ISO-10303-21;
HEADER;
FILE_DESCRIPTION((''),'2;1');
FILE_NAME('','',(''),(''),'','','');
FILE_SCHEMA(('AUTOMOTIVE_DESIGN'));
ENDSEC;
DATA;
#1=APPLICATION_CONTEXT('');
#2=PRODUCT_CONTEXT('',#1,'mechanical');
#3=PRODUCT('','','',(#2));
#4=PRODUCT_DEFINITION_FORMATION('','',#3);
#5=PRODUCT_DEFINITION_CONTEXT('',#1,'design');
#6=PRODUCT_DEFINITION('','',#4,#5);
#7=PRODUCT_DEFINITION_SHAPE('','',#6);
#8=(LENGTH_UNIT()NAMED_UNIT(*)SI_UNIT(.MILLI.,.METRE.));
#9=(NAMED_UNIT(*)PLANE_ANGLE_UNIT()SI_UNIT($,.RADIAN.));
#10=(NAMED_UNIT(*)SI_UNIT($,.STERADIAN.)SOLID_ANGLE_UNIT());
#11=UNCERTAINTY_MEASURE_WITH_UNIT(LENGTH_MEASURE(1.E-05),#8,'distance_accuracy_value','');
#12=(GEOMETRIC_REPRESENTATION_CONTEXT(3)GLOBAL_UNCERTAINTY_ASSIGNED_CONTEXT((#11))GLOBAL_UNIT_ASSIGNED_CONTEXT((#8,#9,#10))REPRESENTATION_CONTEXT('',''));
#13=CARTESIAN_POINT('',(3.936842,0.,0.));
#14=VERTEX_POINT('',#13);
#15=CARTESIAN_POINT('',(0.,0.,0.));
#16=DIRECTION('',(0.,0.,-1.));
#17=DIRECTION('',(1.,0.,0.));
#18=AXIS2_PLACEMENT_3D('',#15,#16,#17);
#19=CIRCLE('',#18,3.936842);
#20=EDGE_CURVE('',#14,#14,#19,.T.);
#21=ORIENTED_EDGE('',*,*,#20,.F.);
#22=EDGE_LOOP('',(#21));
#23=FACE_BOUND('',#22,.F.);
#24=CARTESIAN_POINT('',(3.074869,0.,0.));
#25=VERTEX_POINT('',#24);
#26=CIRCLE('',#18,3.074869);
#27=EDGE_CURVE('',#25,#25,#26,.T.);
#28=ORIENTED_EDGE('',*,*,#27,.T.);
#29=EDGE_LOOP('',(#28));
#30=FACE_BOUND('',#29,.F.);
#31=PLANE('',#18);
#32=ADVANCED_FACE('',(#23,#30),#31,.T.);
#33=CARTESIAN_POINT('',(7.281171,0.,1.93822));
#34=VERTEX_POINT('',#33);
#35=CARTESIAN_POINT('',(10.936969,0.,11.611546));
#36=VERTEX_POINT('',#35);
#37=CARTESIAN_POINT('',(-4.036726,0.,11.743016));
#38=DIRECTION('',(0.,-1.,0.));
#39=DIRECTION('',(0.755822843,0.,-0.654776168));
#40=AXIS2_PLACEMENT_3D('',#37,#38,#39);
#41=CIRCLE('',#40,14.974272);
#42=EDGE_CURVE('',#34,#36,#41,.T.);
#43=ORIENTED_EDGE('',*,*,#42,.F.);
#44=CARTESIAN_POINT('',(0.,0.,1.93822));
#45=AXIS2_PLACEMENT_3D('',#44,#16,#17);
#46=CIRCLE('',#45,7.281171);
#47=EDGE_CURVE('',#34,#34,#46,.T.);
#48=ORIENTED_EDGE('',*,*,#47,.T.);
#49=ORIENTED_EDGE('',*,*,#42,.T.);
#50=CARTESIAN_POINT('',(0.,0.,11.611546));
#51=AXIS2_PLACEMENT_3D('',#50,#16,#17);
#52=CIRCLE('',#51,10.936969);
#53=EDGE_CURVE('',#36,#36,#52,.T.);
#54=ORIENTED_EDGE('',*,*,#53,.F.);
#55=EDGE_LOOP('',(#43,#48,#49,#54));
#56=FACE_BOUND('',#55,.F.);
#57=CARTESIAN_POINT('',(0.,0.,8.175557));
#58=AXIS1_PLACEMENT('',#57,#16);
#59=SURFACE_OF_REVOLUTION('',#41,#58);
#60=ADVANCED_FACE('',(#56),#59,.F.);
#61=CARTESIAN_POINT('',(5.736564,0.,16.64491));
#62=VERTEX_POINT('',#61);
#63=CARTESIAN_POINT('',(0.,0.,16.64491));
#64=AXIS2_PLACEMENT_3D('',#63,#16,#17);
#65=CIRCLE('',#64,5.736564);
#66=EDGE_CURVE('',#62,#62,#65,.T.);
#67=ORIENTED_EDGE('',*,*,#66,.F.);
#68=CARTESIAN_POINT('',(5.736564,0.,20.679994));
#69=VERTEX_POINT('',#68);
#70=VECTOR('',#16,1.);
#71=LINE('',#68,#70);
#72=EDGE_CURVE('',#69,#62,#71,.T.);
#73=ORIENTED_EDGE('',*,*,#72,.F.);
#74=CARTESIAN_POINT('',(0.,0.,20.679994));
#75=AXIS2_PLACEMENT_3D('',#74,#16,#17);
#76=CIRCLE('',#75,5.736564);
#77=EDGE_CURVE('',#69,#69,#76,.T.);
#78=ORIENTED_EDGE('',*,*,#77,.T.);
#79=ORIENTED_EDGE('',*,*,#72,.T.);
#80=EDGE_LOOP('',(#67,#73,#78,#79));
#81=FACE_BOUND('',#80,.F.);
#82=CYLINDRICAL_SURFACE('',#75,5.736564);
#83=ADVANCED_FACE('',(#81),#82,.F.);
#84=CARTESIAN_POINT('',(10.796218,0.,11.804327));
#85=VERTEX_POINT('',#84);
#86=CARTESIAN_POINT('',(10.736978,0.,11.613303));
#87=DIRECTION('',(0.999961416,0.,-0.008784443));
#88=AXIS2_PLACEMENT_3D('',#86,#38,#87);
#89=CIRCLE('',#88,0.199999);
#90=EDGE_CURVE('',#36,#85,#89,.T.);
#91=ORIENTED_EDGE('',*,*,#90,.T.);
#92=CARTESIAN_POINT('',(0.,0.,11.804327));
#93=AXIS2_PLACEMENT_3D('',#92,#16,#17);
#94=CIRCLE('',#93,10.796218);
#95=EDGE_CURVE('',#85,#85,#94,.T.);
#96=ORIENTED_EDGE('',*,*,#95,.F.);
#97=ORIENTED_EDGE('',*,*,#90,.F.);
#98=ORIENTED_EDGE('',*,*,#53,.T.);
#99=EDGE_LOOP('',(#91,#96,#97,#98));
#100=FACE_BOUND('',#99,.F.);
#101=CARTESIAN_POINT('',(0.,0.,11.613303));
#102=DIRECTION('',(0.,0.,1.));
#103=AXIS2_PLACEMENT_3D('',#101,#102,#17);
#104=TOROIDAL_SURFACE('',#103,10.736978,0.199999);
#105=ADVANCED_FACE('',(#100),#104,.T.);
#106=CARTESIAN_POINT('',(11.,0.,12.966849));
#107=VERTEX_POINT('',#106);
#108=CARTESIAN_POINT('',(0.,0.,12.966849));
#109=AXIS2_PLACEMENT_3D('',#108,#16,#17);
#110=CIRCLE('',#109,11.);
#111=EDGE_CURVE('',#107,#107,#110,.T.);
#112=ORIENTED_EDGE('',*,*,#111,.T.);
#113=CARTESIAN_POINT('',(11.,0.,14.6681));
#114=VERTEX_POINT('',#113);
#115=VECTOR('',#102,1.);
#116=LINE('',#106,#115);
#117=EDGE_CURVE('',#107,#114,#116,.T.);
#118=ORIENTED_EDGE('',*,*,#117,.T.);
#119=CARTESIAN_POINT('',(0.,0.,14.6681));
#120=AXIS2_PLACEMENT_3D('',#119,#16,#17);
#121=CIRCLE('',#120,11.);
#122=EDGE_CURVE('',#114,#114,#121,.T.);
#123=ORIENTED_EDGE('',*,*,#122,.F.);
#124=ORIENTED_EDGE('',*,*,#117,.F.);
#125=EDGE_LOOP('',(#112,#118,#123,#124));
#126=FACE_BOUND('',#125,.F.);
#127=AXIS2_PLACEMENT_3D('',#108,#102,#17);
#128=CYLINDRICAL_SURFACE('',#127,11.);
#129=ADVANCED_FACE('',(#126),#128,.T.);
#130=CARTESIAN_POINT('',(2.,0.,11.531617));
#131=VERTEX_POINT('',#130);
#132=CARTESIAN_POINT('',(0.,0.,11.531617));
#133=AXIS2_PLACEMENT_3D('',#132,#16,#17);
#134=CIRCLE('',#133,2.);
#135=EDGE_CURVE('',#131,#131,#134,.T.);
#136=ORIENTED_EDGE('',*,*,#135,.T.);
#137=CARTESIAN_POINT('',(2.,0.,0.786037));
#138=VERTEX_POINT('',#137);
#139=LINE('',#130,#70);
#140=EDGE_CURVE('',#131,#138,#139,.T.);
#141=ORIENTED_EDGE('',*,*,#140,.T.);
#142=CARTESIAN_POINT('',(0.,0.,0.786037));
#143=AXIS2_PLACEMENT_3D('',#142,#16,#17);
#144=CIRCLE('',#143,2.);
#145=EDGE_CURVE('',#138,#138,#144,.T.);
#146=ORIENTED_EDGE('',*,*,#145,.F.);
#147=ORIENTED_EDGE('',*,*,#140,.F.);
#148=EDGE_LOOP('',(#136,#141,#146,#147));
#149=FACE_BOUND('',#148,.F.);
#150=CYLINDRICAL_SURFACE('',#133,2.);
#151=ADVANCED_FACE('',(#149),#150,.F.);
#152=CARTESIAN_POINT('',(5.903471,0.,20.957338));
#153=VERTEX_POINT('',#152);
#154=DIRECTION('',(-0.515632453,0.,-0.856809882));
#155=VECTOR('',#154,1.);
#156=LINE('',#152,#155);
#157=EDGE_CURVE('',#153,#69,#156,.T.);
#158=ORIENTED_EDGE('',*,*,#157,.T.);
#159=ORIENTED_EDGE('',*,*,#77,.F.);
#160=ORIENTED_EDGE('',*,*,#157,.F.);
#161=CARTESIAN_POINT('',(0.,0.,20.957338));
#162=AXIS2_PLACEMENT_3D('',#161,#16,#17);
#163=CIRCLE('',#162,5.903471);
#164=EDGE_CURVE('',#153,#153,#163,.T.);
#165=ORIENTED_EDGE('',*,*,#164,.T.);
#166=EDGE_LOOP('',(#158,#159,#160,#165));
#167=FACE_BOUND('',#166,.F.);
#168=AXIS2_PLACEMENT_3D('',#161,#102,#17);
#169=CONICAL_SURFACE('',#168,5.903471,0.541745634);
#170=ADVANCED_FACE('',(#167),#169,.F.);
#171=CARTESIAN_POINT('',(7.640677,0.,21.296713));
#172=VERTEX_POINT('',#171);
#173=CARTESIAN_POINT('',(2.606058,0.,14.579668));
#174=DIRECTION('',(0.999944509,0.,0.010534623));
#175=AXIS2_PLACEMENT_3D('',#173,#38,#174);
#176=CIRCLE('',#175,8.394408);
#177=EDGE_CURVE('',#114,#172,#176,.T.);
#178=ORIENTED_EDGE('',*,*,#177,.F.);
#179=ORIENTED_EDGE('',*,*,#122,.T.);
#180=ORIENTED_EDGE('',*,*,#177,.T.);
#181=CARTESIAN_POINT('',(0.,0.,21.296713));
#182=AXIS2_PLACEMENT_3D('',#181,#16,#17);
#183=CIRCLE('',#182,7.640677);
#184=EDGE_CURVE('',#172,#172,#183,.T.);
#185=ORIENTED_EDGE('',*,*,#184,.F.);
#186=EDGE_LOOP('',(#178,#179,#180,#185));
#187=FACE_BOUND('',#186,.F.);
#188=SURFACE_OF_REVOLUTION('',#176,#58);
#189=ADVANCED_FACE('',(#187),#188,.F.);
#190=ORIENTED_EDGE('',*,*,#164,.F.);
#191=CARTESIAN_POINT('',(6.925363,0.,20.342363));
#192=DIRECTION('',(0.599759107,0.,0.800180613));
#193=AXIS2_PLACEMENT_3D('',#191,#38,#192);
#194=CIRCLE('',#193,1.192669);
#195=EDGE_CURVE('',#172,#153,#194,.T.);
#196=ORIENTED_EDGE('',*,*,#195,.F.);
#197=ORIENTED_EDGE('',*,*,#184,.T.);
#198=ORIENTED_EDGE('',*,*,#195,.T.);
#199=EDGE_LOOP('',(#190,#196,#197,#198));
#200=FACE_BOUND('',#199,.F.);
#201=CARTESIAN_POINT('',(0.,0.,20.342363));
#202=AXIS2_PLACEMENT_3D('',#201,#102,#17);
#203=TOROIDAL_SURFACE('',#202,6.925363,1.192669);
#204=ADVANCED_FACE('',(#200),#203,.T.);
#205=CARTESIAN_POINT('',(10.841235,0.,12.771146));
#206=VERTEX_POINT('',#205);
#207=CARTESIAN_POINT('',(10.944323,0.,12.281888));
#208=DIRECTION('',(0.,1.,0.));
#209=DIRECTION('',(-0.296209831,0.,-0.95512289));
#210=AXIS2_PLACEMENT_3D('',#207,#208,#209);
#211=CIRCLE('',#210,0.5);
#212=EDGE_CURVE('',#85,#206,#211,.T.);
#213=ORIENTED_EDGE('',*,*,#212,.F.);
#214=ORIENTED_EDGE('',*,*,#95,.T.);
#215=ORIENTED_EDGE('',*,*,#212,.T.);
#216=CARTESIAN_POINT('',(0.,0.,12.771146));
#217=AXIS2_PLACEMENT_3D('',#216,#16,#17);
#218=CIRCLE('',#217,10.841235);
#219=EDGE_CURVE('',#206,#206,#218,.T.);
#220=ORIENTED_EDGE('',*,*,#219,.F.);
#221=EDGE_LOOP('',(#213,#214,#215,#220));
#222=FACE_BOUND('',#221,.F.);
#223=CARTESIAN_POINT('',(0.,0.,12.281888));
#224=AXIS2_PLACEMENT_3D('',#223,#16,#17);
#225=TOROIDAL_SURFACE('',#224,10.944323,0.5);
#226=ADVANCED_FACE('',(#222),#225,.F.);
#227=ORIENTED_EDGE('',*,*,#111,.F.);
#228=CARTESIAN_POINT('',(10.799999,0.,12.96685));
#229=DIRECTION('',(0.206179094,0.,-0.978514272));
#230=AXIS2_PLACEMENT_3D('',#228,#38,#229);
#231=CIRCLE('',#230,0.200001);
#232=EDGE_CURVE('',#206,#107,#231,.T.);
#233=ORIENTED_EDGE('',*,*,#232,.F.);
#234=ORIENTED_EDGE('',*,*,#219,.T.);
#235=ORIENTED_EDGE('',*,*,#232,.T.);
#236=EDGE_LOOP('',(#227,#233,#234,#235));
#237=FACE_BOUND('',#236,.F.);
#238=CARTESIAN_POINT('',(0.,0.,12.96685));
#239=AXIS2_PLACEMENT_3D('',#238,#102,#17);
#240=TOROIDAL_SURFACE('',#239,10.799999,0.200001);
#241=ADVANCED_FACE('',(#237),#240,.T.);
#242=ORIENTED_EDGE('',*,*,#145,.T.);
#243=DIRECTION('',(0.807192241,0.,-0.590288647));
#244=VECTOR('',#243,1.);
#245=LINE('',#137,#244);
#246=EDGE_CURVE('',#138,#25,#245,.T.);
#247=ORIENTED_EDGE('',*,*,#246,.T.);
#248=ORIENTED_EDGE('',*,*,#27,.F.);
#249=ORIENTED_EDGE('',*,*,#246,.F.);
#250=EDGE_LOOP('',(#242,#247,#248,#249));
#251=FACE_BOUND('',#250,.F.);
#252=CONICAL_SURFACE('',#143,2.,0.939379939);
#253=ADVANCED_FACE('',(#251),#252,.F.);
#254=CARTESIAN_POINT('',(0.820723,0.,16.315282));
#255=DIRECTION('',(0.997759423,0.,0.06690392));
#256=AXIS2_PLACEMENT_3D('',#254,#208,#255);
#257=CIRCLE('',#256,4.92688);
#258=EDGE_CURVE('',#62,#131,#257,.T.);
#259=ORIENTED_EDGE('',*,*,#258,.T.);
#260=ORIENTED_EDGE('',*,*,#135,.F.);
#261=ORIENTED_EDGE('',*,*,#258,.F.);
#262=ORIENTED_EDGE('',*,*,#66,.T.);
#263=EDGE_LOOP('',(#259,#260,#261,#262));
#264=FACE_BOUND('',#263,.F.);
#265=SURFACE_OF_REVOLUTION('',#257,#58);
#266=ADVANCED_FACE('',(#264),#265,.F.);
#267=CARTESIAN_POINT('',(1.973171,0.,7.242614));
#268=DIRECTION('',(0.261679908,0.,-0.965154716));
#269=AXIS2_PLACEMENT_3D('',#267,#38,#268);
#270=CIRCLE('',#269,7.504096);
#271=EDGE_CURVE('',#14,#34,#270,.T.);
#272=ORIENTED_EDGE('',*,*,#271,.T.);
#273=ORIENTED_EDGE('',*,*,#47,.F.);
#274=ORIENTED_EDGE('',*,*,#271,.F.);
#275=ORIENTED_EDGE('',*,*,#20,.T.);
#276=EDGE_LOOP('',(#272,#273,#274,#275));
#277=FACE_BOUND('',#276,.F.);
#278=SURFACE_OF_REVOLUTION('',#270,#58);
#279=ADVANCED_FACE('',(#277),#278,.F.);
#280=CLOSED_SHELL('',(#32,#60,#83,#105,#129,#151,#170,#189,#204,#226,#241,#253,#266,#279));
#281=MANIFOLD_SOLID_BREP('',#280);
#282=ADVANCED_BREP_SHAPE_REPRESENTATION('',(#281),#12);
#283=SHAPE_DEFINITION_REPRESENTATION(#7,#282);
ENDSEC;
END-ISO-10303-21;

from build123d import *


with BuildPart() as f1:
    # F0 (on Front) → F1 (revolve)
    with BuildSketch(Plane.XZ):
        with BuildLine():
            Line((2, 11.531617), (2, 0.786037))
            Line((2, 0.786037), (3.074869, 0))
            Line((3.074869, 0), (3.936842, 0))
            ThreePointArc((3.936842, 0), (5.735946, 0.750081), (7.281171, 1.93822))
            ThreePointArc((7.281171, 1.93822), (9.970603, 6.449288), (10.936969, 11.611546))
            ThreePointArc((10.936969, 11.611546), (10.898506, 11.731236), (10.796218, 11.804327))
            ThreePointArc((10.796218, 11.804327), (10.444864, 12.305144), (10.841235, 12.771146))
            ThreePointArc((10.841235, 12.771146), (10.955317, 12.840847), (11, 12.966849))
            Line((11, 12.966849), (11, 14.6681))
            ThreePointArc((11, 14.6681), (10.093794, 18.374387), (7.640677, 21.296713))
            ThreePointArc((7.640677, 21.296713), (6.69669, 21.512904), (5.903471, 20.957338))
            Line((5.903471, 20.957338), (5.736564, 20.679994))
            Line((5.736564, 20.679994), (5.736564, 16.64491))
            ThreePointArc((5.736564, 16.64491), (4.798669, 13.408378), (2, 11.531617))
        make_face()
    revolve(axis=Axis((0, 0, 8.175557), (0, 0, -1)))


solid = f1.part
